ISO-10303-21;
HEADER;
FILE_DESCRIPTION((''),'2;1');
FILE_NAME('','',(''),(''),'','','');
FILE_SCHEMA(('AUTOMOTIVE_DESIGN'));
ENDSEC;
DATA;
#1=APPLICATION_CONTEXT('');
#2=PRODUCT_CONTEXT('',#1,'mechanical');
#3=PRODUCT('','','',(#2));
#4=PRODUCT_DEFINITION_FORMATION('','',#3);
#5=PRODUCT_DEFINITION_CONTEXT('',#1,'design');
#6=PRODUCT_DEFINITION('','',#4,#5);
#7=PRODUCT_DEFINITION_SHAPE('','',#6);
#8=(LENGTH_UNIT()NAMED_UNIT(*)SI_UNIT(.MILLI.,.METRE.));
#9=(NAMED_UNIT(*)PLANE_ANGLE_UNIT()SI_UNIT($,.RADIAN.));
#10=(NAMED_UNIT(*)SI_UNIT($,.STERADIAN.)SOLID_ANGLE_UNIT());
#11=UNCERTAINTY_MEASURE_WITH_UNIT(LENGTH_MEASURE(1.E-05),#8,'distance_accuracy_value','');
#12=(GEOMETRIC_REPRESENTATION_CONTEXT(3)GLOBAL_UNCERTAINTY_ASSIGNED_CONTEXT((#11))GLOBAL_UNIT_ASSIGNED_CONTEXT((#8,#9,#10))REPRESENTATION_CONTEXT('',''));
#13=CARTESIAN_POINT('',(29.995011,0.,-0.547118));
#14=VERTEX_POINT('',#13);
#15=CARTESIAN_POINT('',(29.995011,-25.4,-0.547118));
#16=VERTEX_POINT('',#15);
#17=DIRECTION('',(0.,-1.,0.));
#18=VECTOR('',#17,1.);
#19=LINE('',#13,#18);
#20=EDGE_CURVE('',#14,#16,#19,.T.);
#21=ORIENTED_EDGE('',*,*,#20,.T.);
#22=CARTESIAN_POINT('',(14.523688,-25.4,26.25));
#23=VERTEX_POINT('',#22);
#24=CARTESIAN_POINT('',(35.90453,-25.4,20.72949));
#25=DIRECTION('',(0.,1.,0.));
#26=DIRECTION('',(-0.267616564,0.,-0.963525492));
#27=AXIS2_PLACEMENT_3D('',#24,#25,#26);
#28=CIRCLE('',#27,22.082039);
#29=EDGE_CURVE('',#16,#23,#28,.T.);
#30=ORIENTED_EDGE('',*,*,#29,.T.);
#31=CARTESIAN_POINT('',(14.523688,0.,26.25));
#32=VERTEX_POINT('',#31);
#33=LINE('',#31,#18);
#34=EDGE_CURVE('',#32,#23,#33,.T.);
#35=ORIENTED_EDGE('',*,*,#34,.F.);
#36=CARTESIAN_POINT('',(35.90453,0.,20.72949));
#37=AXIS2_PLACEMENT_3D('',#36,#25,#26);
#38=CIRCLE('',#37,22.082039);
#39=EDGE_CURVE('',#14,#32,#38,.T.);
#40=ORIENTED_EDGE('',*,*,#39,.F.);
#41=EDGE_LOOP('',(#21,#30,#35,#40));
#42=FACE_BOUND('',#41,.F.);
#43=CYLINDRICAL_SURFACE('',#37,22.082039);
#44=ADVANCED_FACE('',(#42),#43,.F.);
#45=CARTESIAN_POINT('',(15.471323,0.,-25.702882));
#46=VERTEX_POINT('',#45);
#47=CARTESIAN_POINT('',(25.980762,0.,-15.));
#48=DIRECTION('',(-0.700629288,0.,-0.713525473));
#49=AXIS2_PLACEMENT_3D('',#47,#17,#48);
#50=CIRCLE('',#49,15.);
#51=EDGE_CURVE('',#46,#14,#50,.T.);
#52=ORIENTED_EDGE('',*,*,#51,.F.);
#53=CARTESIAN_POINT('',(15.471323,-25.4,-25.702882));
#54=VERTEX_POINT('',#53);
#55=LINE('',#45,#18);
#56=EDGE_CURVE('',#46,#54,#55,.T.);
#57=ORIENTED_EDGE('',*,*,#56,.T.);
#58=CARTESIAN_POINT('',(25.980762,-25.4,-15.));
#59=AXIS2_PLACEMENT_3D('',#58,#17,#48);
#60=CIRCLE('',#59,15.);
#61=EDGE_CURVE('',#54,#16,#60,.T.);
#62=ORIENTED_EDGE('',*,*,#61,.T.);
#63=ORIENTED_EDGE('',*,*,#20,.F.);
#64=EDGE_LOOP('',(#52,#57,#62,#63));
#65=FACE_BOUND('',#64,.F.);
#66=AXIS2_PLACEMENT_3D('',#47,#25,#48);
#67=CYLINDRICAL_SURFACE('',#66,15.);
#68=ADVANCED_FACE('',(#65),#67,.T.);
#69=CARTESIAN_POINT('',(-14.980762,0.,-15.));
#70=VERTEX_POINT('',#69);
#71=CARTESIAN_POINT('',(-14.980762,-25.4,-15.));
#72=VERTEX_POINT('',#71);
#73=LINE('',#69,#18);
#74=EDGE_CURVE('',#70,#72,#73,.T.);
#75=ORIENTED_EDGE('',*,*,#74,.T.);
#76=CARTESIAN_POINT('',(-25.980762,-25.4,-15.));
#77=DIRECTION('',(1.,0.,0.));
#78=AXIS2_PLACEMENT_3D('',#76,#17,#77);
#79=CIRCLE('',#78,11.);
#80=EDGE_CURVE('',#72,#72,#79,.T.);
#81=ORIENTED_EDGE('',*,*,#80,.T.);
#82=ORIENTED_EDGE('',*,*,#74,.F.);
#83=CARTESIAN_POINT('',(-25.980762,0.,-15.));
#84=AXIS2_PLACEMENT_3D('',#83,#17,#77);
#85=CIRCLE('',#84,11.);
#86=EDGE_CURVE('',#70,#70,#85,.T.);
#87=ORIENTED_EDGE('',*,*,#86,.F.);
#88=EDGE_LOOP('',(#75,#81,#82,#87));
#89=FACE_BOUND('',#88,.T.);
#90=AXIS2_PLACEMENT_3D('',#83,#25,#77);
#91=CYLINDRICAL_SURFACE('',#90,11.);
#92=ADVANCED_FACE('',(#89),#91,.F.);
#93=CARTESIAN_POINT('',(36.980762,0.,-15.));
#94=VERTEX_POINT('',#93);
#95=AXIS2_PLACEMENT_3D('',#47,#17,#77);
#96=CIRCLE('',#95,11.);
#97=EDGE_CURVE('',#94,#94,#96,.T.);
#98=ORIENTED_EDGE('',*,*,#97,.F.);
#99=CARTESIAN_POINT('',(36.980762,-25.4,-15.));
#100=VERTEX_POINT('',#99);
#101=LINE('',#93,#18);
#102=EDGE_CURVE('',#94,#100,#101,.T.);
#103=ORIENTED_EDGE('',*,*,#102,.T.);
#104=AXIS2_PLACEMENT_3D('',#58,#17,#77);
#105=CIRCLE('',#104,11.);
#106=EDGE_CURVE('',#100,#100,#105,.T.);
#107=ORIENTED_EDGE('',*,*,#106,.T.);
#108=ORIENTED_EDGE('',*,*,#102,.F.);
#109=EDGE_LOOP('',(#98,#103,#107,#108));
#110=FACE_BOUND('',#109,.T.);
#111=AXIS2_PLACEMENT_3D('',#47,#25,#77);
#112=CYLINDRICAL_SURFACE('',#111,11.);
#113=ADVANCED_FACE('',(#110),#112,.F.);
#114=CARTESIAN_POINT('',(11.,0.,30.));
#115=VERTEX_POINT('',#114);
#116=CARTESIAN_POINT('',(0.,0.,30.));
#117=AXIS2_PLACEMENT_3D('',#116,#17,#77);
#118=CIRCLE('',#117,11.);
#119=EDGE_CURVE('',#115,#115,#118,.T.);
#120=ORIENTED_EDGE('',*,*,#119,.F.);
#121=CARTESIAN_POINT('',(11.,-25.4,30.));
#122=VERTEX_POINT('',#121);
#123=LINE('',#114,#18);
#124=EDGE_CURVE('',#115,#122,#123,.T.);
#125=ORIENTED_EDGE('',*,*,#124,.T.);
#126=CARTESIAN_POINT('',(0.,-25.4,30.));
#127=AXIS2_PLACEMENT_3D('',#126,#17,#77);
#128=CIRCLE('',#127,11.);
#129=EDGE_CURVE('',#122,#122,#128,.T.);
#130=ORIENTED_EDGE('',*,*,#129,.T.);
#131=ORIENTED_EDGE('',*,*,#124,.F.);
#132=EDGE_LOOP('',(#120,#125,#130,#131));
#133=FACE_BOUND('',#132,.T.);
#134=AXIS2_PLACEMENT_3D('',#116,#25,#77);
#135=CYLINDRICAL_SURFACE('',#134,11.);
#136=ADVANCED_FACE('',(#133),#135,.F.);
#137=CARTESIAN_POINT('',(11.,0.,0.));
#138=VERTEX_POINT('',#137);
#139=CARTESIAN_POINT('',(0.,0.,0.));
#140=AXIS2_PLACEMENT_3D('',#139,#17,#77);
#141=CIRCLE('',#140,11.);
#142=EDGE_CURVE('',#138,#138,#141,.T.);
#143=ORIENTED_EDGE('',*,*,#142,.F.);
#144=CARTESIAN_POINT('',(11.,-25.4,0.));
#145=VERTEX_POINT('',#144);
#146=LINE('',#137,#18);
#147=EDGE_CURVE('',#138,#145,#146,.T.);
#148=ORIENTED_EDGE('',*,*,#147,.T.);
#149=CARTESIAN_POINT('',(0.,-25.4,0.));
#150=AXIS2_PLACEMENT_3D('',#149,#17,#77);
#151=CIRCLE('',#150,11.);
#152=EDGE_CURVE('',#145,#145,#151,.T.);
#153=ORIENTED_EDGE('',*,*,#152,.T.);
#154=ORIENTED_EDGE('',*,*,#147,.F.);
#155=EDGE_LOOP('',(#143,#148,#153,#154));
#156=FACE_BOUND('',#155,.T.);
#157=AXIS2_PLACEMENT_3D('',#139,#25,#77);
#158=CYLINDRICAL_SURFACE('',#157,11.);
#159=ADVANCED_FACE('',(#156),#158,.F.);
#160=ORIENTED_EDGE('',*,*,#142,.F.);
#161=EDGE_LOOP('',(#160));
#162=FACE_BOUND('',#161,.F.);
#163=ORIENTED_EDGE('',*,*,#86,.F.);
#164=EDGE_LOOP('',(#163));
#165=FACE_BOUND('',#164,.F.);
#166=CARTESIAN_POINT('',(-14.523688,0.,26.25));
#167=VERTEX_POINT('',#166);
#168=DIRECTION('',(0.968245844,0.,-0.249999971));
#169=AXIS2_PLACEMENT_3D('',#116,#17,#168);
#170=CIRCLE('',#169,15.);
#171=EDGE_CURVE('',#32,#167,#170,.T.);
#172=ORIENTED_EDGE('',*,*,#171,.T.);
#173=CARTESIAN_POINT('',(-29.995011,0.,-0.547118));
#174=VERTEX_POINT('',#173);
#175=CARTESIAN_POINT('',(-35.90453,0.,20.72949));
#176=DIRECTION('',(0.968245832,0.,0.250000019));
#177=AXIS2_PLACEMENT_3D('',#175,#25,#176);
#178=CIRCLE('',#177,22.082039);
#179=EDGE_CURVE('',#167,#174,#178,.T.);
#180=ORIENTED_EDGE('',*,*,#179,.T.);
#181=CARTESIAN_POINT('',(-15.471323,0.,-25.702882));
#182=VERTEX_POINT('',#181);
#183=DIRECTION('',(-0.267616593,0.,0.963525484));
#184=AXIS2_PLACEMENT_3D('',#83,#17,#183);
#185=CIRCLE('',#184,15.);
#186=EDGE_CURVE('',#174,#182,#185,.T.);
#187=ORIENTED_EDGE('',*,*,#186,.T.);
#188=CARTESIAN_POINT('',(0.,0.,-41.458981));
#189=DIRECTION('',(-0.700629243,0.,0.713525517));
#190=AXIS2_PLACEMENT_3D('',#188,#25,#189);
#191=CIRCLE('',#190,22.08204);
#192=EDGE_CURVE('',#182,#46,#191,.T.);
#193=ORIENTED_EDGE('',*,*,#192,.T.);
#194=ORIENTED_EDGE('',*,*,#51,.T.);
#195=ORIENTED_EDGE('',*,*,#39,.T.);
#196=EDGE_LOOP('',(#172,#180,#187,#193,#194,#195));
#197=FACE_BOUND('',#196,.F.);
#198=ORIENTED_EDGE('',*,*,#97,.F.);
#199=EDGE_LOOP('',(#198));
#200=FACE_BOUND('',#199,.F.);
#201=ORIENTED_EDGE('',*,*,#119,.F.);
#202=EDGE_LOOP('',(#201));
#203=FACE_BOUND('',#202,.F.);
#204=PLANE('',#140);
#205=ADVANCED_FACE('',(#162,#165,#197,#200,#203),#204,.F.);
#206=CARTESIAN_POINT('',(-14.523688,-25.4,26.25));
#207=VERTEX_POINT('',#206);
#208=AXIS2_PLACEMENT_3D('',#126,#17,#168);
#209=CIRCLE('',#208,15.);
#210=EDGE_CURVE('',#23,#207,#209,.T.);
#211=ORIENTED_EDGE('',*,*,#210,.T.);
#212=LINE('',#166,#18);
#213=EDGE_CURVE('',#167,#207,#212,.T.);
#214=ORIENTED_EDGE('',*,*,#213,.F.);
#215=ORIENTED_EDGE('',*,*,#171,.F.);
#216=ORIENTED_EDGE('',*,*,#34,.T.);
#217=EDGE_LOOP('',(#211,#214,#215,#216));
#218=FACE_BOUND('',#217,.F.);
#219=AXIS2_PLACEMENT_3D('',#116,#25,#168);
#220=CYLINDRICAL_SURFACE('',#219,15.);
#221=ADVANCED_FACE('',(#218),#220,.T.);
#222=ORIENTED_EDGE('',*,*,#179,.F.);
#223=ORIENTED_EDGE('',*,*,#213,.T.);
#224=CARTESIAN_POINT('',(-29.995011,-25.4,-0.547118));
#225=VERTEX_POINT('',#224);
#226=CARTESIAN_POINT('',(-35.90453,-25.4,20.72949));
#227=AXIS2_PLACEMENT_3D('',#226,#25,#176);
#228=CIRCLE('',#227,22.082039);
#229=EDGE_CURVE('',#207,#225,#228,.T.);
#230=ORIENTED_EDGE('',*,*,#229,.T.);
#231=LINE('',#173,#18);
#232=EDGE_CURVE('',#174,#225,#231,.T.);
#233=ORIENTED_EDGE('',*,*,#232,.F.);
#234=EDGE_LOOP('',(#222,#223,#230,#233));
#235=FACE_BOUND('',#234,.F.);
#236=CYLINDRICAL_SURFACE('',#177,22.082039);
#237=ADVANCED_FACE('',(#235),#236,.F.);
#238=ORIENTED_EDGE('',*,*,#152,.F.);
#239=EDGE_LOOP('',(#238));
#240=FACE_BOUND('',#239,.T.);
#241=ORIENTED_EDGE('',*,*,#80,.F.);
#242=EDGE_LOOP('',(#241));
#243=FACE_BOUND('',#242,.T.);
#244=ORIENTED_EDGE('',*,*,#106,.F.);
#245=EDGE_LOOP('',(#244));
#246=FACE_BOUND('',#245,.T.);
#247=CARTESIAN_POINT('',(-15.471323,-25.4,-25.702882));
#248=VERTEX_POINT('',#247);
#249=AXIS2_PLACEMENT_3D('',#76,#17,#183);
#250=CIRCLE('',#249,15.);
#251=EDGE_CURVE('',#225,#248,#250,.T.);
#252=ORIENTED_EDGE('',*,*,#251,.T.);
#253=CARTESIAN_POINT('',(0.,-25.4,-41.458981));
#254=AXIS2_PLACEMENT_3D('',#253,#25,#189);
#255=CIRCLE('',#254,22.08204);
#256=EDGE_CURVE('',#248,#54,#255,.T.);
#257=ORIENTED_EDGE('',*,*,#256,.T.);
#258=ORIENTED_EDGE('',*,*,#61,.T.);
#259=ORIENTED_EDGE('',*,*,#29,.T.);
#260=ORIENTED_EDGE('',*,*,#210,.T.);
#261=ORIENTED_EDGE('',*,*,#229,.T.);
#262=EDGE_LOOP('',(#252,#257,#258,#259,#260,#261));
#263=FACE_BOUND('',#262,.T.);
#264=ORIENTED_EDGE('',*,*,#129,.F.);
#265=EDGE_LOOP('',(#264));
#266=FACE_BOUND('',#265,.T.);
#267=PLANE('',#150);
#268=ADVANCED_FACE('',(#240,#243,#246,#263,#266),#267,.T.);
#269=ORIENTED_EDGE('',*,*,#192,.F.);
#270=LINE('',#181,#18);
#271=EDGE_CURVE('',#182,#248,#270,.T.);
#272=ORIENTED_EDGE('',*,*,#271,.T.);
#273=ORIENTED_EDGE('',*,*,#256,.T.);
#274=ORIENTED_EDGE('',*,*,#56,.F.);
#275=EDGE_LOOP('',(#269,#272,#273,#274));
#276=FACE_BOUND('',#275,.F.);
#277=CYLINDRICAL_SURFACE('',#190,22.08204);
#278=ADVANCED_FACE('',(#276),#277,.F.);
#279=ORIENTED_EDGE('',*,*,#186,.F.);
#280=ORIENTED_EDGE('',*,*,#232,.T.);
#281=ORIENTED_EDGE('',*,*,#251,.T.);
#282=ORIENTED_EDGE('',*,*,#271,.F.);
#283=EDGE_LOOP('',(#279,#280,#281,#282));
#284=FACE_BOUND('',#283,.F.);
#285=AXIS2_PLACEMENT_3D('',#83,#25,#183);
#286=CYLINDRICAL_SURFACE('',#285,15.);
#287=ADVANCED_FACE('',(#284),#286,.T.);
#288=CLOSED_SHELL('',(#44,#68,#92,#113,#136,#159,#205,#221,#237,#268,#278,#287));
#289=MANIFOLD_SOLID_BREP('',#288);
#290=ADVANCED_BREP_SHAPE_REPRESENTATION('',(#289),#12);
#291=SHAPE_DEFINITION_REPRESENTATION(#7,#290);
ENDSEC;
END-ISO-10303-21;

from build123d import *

# Parameters (mm, degrees)
F0_R     = 11
F1_DEPTH = 25.4


with BuildPart() as f1:
    # F0 (on Front) → F1 (new body)
    with BuildSketch(Plane.XZ):
        with BuildLine():
            ThreePointArc((29.995011, -0.547118), (16.780923, 9.688471), (14.523688, 26.25))
            ThreePointArc((14.523688, 26.25), (0, 45), (-14.523688, 26.25))
            ThreePointArc((-14.523688, 26.25), (-16.780923, 9.688471), (-29.995011, -0.547118))
            ThreePointArc((-29.995011, -0.547118), (-38.971143, -22.5), (-15.471323, -25.702882))
            ThreePointArc((-15.471323, -25.702882), (0, -19.376941), (15.471323, -25.702882))
            ThreePointArc((15.471323, -25.702882), (38.971143, -22.5), (29.995011, -0.547118))
        make_face()
        with Locations((-25.980762, -15)):
            Circle(F0_R, mode=Mode.SUBTRACT)
        with Locations((25.980762, -15)):
            Circle(F0_R, mode=Mode.SUBTRACT)
        Circle(F0_R, mode=Mode.SUBTRACT)
        with Locations((0, 30)):
            Circle(F0_R, mode=Mode.SUBTRACT)
    extrude(amount=F1_DEPTH)


solid = f1.part
